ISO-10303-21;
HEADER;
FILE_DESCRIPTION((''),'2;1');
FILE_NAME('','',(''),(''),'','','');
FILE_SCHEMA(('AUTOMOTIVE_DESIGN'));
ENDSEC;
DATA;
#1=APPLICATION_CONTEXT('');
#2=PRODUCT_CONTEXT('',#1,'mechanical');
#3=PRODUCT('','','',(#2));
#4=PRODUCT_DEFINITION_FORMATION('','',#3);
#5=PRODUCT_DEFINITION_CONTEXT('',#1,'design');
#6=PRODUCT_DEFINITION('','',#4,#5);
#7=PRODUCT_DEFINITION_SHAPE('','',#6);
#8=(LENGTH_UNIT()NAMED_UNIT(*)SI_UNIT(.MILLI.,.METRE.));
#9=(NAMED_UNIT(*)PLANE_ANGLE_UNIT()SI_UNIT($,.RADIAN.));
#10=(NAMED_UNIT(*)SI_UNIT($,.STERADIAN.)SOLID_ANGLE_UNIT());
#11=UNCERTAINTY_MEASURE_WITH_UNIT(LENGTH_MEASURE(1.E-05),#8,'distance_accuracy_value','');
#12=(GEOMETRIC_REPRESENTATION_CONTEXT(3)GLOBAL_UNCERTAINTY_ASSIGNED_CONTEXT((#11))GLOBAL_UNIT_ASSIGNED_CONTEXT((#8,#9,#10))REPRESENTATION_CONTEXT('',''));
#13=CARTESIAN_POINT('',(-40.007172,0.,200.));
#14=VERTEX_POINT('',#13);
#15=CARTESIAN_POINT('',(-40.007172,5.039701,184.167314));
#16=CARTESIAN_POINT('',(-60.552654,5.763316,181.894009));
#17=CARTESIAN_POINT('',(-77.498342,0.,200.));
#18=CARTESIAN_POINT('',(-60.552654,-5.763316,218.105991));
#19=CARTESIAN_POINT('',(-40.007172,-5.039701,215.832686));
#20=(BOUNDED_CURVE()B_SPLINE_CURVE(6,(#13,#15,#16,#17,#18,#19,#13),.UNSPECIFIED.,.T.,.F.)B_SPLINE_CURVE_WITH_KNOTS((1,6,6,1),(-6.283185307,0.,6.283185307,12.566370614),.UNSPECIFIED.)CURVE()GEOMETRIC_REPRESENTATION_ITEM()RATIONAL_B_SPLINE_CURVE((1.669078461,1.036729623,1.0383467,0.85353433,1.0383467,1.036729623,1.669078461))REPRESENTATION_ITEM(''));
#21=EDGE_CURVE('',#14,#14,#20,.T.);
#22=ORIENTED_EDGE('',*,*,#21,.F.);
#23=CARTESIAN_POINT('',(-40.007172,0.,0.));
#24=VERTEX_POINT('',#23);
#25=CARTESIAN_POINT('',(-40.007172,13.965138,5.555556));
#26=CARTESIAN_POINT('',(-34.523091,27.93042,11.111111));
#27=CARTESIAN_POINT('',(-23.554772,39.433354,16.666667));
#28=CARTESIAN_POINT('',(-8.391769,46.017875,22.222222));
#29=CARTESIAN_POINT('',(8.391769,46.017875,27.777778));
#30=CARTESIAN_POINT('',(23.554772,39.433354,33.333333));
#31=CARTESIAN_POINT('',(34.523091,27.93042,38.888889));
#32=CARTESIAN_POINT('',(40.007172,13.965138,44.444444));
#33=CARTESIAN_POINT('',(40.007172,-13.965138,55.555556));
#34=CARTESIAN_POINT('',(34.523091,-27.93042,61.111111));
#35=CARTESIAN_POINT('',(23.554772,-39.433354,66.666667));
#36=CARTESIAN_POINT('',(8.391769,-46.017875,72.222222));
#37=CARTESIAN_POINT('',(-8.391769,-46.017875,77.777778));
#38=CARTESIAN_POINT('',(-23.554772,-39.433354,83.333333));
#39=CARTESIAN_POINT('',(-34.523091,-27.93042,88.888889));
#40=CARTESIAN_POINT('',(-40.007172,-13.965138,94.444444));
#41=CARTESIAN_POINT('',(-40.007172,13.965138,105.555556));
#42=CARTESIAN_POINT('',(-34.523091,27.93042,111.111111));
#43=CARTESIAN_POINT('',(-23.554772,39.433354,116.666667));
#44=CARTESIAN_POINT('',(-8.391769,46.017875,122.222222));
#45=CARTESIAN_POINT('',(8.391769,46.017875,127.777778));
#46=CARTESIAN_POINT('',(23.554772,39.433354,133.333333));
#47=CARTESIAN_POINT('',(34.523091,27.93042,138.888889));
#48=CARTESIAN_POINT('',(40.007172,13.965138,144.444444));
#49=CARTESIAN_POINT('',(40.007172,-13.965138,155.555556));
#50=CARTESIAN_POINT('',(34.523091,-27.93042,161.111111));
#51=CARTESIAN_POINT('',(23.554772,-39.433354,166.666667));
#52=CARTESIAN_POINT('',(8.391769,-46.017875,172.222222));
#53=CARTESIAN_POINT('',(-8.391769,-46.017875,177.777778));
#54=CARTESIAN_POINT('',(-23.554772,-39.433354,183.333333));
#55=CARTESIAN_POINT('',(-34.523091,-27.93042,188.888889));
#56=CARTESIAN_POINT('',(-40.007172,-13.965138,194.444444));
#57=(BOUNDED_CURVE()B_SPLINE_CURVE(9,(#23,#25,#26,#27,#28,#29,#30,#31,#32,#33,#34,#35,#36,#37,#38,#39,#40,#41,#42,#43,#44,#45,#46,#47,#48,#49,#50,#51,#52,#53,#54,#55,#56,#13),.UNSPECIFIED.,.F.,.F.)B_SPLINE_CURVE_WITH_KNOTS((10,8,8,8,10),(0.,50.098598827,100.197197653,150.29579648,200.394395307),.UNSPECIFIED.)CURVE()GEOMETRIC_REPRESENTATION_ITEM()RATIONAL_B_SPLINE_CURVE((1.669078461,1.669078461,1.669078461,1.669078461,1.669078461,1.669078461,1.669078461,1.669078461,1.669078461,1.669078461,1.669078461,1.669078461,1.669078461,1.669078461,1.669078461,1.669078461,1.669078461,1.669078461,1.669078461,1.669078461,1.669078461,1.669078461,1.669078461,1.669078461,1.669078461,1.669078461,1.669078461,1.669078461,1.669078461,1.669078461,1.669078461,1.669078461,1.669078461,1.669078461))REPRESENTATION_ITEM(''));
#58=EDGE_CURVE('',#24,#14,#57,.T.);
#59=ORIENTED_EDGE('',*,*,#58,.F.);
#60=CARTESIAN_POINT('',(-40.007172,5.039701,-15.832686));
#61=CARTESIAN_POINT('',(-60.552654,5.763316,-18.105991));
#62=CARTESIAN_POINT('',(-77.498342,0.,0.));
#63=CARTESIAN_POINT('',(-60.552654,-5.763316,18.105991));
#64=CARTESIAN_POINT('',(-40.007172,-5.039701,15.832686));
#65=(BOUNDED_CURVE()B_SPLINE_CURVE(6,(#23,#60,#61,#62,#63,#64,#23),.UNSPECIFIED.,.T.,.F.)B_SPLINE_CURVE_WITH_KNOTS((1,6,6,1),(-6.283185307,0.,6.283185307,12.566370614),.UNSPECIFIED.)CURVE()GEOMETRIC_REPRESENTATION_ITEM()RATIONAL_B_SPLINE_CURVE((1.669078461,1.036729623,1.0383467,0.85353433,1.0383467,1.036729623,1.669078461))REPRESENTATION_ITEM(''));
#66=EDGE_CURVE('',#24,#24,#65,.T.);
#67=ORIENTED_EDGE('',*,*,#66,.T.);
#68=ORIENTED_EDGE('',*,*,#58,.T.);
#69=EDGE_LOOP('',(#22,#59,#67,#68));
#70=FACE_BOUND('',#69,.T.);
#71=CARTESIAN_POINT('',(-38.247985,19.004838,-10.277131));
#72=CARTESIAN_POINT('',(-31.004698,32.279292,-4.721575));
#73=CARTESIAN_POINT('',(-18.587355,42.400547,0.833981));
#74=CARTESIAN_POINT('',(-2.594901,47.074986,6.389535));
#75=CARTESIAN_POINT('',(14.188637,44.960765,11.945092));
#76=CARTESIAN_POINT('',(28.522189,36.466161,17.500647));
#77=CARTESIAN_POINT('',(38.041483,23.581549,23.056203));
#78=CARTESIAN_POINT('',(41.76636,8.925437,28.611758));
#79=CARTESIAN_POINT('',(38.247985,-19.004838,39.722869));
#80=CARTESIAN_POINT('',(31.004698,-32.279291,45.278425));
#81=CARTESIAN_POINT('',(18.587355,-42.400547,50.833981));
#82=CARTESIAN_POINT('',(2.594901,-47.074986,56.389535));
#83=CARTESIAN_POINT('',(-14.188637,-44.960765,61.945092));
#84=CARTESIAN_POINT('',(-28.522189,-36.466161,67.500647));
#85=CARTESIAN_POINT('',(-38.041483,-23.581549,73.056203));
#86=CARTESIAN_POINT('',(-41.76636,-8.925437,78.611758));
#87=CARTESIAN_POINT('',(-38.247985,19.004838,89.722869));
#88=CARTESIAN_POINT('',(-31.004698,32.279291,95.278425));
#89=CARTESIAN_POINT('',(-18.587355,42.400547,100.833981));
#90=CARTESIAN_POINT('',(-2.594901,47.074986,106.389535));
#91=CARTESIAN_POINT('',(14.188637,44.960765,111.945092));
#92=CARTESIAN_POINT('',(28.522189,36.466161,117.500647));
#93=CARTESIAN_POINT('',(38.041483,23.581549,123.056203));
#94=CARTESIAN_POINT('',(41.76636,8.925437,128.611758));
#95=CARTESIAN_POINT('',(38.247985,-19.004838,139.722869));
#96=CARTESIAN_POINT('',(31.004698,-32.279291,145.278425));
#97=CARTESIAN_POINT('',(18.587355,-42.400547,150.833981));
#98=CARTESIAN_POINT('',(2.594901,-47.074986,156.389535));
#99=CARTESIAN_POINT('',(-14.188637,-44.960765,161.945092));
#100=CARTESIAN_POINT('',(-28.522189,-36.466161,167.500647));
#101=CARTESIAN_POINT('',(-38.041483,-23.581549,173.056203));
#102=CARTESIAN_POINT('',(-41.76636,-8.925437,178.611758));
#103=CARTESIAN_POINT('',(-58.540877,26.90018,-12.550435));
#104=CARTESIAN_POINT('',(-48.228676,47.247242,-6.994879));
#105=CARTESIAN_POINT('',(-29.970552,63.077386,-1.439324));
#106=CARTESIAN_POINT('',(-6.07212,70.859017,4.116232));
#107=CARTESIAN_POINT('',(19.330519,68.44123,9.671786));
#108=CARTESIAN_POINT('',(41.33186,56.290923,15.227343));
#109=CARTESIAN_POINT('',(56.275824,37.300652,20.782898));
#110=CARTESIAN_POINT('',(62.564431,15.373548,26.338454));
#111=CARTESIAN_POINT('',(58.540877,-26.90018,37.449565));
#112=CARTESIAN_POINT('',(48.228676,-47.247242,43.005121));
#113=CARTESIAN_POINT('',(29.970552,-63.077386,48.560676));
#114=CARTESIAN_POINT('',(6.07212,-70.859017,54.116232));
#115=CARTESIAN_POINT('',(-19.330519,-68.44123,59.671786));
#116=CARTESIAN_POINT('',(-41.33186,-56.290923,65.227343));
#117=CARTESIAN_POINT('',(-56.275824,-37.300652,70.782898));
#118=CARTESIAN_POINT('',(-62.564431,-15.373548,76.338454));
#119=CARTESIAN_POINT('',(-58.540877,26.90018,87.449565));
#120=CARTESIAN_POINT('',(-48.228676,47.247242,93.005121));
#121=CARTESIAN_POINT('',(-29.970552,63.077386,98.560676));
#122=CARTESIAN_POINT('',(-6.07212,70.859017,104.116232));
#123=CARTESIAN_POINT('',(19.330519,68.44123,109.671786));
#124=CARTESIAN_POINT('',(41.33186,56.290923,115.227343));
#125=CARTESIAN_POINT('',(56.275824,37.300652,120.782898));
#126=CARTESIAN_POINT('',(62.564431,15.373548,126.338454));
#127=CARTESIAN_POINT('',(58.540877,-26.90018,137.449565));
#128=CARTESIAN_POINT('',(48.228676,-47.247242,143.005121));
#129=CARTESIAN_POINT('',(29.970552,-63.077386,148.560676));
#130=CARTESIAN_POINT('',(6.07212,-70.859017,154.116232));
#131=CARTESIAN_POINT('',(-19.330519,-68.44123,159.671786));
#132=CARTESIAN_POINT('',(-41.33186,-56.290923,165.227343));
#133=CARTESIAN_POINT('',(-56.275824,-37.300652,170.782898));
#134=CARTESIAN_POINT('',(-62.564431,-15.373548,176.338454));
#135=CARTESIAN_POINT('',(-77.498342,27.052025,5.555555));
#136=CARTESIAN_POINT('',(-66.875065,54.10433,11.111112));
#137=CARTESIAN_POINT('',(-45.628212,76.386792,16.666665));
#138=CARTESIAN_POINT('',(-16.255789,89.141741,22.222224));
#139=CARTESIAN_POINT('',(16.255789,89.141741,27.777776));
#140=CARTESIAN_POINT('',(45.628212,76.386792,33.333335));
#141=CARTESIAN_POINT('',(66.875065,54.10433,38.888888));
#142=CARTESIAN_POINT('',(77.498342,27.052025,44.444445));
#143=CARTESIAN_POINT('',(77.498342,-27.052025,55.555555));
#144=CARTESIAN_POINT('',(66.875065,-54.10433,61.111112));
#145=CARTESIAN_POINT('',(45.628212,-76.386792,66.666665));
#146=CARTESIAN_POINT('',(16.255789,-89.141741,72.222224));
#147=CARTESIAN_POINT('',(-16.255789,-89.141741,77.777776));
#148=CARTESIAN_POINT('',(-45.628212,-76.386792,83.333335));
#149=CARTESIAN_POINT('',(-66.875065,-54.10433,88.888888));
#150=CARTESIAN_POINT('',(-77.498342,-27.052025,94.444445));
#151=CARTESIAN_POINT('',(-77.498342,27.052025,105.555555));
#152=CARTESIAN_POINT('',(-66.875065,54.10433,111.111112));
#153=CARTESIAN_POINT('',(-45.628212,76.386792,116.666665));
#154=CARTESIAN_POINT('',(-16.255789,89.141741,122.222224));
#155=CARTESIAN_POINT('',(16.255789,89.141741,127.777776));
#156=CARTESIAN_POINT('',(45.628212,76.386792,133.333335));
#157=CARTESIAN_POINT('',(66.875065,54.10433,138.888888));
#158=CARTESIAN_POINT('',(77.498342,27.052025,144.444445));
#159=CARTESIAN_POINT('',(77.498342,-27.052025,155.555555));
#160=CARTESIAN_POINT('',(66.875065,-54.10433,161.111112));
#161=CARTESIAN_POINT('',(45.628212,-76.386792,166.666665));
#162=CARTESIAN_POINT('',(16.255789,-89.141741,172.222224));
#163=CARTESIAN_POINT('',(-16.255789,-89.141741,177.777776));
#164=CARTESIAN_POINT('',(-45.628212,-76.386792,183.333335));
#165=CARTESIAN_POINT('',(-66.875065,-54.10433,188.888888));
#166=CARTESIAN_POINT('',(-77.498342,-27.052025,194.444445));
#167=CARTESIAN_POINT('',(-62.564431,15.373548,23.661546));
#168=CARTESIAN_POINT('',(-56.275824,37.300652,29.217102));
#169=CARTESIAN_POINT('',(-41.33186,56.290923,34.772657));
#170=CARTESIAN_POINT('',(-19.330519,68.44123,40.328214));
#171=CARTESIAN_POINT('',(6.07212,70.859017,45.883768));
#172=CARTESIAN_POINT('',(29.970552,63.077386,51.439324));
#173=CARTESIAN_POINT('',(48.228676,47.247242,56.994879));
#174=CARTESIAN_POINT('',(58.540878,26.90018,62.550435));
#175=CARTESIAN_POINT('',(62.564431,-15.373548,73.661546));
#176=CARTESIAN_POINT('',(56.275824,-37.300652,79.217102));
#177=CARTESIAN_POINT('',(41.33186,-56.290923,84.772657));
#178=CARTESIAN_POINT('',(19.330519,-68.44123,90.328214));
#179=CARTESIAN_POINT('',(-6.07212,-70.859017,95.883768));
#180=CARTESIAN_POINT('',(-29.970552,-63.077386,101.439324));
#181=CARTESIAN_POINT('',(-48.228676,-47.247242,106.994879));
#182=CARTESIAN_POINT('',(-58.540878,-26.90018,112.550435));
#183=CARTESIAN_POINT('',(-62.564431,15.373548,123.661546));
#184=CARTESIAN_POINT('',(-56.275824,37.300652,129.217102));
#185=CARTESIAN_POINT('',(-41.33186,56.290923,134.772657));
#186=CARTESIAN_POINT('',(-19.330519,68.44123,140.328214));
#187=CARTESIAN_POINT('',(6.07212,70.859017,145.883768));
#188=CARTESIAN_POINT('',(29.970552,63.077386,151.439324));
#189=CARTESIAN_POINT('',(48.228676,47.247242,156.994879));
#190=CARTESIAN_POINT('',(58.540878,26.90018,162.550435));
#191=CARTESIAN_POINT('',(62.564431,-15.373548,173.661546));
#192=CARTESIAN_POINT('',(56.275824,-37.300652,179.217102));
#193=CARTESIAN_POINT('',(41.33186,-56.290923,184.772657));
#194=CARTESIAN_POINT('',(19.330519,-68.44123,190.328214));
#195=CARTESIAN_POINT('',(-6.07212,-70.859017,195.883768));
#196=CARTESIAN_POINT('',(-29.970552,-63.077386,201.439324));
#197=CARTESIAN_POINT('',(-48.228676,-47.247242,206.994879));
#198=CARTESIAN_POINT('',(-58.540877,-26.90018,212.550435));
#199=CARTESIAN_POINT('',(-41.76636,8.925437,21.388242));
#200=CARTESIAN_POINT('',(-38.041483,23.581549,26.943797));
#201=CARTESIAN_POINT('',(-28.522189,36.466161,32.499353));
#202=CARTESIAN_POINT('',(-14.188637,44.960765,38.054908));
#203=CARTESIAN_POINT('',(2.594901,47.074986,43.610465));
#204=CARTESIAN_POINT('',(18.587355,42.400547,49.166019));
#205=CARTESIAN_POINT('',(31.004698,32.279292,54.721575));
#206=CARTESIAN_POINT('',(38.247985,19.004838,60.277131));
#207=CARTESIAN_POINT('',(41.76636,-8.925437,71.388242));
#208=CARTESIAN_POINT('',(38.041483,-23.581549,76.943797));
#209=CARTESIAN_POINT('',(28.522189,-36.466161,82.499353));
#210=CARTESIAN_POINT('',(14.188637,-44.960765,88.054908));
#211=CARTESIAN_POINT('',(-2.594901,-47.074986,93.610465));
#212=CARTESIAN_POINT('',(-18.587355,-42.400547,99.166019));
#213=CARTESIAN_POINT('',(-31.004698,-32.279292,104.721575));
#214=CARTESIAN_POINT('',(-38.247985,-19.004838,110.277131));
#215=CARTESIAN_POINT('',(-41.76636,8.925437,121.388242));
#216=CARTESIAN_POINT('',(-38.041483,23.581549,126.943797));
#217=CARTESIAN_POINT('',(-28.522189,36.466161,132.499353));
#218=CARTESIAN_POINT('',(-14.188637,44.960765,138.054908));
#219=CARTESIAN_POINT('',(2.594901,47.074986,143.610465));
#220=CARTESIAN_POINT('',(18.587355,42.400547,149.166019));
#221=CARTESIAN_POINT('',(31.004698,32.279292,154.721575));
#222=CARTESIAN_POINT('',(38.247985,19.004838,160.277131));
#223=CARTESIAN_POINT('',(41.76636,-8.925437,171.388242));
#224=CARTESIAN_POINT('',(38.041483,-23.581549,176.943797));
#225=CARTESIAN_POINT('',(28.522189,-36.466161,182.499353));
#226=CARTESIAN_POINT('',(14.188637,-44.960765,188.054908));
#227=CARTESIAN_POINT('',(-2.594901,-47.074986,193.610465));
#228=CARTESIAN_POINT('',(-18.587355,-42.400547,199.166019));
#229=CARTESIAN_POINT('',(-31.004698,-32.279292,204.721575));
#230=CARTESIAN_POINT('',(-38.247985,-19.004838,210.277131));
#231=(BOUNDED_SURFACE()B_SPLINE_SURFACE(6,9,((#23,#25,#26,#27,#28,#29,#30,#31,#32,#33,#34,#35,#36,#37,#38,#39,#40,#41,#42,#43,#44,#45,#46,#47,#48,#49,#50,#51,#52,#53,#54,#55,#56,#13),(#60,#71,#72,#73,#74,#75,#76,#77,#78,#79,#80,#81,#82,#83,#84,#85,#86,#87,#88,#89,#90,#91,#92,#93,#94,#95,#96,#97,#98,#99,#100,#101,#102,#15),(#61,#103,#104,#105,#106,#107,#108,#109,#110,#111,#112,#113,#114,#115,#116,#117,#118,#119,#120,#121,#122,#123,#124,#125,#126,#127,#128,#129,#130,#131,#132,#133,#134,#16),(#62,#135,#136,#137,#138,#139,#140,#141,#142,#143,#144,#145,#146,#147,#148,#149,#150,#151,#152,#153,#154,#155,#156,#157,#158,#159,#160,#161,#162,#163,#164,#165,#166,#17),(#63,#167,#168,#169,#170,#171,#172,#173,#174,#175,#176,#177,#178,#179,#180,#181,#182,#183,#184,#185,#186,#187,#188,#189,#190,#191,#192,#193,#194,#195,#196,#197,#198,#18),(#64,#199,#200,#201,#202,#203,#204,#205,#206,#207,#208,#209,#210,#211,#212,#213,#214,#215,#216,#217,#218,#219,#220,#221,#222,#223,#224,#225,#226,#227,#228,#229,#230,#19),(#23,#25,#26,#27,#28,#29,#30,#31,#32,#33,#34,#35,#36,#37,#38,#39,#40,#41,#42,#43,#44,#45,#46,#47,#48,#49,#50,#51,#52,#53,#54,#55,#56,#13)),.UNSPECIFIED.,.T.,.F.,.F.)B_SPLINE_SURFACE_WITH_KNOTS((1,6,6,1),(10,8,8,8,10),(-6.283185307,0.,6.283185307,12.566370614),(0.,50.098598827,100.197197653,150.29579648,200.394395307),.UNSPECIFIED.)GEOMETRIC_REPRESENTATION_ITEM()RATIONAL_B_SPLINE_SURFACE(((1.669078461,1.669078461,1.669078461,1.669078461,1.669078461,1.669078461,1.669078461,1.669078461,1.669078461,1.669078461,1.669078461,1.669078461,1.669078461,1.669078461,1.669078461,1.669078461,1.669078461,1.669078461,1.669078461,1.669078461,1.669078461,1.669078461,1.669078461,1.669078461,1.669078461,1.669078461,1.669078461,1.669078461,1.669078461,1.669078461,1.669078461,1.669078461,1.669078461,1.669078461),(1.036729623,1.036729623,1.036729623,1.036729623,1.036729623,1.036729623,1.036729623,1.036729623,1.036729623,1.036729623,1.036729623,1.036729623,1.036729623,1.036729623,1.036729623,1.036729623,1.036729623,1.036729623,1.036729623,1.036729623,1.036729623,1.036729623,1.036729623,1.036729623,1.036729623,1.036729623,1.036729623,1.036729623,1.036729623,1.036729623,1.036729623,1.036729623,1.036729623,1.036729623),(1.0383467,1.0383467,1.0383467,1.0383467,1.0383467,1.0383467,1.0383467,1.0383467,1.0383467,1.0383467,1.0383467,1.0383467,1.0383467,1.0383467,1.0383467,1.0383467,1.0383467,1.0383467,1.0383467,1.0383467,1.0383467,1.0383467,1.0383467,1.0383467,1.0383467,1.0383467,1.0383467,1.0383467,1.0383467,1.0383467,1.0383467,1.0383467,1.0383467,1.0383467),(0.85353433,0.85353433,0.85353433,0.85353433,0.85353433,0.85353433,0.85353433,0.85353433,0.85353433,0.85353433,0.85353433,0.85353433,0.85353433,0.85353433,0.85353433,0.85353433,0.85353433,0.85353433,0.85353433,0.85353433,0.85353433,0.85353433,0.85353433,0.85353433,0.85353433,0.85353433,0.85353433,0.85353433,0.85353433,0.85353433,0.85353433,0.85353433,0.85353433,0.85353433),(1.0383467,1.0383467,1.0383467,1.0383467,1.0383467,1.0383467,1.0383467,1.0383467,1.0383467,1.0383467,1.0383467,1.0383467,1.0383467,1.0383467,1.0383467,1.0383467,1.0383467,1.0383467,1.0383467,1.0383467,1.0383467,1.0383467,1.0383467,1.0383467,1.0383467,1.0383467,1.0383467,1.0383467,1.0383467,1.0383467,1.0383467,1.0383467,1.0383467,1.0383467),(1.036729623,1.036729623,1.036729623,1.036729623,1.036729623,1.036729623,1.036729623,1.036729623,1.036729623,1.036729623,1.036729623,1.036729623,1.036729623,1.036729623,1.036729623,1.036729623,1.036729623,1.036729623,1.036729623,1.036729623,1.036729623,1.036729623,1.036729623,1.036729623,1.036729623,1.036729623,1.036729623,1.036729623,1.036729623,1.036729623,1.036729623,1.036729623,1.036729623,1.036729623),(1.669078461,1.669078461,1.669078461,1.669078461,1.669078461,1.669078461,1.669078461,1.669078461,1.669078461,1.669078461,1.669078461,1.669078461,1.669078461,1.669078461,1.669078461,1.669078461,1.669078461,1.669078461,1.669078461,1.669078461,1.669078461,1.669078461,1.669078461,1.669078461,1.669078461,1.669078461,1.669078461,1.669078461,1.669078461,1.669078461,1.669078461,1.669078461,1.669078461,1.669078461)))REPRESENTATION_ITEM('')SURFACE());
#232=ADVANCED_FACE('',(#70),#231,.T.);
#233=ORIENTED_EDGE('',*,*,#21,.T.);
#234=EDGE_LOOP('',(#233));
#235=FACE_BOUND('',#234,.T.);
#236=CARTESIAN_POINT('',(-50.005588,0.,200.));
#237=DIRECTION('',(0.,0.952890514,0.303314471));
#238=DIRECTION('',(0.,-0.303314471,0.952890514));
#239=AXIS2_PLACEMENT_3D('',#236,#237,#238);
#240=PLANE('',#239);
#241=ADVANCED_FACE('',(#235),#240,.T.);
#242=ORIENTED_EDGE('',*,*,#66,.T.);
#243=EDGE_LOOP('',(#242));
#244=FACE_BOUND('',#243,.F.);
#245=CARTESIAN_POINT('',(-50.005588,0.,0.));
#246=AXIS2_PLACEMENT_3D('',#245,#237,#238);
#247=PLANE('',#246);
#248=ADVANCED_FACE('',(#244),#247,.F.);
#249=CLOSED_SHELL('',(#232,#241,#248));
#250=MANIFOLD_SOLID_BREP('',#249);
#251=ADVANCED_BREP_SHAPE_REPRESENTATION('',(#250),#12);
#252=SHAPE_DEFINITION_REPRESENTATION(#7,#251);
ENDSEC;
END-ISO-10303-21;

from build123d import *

# Parameters (mm, degrees)
SWEEP_2_PITCH       = 100
SWEEP_2_HEIGHT      = 200
SWEEP_2_RADIUS      = 50
SWEEP_2_START_ANGLE = -180
SKETCH_5_R          = 10


with BuildPart() as part:
    # 扫描2: sweep along a helix
    with BuildLine() as sweep_2_path:
        add(Helix(SWEEP_2_PITCH, SWEEP_2_HEIGHT, SWEEP_2_RADIUS, center=(0, 0, 0), direction=(0, 0, 1), lefthand=True, mode=Mode.PRIVATE).rotate(Axis((0, 0, 0), (0, 0, 1)), SWEEP_2_START_ANGLE))
    # 草图5 → 扫描2 (sweep)
    with BuildSketch(Plane(origin=(-50, 0, 0), x_dir=(1, 0, 0), z_dir=(-6.070289940851411e-15, 0.9528905139886877, 0.30331447105335213))):
        with Locations((-0.007172426, 0)):
            Circle(SKETCH_5_R)
    sweep(path=sweep_2_path.line, is_frenet=True)


solid = part.part
